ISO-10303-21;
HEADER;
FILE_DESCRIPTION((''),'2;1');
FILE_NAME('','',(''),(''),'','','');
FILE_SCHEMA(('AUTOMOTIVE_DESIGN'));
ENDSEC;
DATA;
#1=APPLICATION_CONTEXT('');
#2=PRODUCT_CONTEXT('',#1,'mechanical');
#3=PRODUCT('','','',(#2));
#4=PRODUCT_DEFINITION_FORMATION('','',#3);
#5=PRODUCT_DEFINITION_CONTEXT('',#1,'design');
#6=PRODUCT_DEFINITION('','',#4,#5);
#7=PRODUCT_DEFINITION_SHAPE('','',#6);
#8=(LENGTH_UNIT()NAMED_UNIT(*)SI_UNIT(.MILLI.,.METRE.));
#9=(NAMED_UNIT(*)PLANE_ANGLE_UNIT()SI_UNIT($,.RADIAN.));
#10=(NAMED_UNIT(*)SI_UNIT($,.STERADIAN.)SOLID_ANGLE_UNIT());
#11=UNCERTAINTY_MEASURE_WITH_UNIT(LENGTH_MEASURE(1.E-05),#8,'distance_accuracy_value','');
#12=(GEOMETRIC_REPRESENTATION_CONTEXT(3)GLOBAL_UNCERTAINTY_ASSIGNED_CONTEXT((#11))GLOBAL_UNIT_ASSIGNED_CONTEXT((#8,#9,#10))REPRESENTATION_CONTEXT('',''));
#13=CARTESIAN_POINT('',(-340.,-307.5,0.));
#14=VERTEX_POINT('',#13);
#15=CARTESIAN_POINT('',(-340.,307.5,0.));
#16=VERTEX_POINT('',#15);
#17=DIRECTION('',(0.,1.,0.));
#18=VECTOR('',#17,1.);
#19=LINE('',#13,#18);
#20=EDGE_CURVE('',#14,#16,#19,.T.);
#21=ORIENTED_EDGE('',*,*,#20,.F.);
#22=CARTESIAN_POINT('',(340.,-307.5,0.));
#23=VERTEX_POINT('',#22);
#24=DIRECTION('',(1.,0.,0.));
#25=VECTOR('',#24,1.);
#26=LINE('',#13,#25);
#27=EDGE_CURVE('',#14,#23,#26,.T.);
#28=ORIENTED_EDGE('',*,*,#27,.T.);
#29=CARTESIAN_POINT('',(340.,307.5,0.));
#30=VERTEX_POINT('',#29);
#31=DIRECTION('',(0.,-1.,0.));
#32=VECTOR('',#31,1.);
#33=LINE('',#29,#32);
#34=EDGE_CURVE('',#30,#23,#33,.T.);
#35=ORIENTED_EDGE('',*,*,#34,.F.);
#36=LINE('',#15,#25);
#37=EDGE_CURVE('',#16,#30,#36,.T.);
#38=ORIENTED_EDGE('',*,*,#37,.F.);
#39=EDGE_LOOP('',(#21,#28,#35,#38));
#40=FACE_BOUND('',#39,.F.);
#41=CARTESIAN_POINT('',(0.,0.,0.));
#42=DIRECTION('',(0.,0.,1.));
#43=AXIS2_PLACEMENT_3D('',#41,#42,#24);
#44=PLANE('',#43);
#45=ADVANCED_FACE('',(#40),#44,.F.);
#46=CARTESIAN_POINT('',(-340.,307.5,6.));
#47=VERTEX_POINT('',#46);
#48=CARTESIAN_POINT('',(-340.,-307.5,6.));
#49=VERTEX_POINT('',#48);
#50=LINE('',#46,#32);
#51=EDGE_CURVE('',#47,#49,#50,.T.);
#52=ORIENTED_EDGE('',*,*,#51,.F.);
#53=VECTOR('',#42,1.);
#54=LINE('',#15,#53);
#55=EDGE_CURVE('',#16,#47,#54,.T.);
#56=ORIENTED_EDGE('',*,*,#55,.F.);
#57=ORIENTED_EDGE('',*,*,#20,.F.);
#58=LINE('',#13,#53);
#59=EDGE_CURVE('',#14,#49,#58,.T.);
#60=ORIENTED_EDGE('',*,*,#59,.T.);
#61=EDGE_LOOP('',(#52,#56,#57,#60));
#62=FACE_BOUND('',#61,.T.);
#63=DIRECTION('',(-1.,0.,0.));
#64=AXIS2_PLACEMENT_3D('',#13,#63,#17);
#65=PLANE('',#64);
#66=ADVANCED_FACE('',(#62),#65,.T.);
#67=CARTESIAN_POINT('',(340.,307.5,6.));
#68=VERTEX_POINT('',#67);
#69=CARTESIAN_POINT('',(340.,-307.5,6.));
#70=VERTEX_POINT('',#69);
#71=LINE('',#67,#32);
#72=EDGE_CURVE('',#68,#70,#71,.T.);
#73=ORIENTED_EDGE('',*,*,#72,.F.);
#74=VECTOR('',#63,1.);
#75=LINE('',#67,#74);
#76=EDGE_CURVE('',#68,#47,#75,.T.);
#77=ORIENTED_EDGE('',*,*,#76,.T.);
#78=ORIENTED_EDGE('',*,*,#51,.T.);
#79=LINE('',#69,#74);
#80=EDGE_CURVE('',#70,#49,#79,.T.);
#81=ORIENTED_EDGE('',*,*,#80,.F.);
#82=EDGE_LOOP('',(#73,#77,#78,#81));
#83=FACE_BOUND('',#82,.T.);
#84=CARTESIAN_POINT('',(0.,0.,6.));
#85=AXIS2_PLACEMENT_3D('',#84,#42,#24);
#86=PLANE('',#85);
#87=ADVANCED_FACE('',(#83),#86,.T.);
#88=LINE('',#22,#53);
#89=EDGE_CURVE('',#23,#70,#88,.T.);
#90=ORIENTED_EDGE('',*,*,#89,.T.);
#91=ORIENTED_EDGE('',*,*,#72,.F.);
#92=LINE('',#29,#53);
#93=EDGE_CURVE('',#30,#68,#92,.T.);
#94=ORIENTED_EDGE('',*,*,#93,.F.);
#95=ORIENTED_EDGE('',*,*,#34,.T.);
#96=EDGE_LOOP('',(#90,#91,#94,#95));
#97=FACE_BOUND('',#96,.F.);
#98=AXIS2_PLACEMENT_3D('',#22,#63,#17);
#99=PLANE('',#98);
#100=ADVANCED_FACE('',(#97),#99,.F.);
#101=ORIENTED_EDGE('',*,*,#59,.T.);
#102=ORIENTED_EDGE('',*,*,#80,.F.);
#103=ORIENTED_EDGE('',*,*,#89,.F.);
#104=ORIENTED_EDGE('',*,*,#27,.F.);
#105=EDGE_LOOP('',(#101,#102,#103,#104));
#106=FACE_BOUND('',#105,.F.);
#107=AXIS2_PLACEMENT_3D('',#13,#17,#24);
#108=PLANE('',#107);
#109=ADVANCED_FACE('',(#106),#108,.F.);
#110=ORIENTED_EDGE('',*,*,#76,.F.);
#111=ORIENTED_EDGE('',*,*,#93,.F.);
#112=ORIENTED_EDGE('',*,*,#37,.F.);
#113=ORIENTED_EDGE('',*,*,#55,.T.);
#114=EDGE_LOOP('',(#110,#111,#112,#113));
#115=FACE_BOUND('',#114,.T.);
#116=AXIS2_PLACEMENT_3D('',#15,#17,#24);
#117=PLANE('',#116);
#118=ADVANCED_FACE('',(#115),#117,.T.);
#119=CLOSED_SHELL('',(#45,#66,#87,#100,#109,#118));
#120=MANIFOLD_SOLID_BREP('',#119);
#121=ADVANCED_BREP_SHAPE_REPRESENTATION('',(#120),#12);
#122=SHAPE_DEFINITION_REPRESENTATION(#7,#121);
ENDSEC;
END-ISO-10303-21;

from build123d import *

# Parameters (mm, degrees)
F1_W     = 680
F1_H     = 615
F2_DEPTH = 6
F3_DEPTH = 6


with BuildPart() as f2:
    # F1 (on Top) → F2 (new body)
    with BuildSketch(Plane.XY):
        Rectangle(F1_W, F1_H)
    extrude(amount=F2_DEPTH)

    # F0 (on Top) → F3 (join)
    with BuildSketch(Plane.XY):
        Polygon((30.2, -307.5), (340, -307.5), (340, 29.3), (320.8, 29.3), (320.8, 47.3), (299.6, 47.3), (299.6, 48.3), (281.6, 48.3), (281.6, 66.7), (299.6, 66.7), (299.6, 67.7), (320.8, 67.7), (320.8, 85.7), (340, 85.7), (340, 307.5), (30.2, 307.5), (30.2, 291.1), (-30.2, 291.1), (-30.2, 307.5), (-340, 307.5), (-340, 85.7), (-320.8, 85.7), (-320.8, 67.7), (-299.6, 67.7), (-299.6, 66.7), (-281.6, 66.7), (-281.6, 48.3), (-299.6, 48.3), (-299.6, 47.3), (-320.8, 47.3), (-320.8, 29.3), (-340, 29.3), (-340, -307.5), (-30.2, -307.5), (-30.2, -287.1), (30.2, -287.1), align=None)
    extrude(amount=F3_DEPTH)


solid = f2.part
